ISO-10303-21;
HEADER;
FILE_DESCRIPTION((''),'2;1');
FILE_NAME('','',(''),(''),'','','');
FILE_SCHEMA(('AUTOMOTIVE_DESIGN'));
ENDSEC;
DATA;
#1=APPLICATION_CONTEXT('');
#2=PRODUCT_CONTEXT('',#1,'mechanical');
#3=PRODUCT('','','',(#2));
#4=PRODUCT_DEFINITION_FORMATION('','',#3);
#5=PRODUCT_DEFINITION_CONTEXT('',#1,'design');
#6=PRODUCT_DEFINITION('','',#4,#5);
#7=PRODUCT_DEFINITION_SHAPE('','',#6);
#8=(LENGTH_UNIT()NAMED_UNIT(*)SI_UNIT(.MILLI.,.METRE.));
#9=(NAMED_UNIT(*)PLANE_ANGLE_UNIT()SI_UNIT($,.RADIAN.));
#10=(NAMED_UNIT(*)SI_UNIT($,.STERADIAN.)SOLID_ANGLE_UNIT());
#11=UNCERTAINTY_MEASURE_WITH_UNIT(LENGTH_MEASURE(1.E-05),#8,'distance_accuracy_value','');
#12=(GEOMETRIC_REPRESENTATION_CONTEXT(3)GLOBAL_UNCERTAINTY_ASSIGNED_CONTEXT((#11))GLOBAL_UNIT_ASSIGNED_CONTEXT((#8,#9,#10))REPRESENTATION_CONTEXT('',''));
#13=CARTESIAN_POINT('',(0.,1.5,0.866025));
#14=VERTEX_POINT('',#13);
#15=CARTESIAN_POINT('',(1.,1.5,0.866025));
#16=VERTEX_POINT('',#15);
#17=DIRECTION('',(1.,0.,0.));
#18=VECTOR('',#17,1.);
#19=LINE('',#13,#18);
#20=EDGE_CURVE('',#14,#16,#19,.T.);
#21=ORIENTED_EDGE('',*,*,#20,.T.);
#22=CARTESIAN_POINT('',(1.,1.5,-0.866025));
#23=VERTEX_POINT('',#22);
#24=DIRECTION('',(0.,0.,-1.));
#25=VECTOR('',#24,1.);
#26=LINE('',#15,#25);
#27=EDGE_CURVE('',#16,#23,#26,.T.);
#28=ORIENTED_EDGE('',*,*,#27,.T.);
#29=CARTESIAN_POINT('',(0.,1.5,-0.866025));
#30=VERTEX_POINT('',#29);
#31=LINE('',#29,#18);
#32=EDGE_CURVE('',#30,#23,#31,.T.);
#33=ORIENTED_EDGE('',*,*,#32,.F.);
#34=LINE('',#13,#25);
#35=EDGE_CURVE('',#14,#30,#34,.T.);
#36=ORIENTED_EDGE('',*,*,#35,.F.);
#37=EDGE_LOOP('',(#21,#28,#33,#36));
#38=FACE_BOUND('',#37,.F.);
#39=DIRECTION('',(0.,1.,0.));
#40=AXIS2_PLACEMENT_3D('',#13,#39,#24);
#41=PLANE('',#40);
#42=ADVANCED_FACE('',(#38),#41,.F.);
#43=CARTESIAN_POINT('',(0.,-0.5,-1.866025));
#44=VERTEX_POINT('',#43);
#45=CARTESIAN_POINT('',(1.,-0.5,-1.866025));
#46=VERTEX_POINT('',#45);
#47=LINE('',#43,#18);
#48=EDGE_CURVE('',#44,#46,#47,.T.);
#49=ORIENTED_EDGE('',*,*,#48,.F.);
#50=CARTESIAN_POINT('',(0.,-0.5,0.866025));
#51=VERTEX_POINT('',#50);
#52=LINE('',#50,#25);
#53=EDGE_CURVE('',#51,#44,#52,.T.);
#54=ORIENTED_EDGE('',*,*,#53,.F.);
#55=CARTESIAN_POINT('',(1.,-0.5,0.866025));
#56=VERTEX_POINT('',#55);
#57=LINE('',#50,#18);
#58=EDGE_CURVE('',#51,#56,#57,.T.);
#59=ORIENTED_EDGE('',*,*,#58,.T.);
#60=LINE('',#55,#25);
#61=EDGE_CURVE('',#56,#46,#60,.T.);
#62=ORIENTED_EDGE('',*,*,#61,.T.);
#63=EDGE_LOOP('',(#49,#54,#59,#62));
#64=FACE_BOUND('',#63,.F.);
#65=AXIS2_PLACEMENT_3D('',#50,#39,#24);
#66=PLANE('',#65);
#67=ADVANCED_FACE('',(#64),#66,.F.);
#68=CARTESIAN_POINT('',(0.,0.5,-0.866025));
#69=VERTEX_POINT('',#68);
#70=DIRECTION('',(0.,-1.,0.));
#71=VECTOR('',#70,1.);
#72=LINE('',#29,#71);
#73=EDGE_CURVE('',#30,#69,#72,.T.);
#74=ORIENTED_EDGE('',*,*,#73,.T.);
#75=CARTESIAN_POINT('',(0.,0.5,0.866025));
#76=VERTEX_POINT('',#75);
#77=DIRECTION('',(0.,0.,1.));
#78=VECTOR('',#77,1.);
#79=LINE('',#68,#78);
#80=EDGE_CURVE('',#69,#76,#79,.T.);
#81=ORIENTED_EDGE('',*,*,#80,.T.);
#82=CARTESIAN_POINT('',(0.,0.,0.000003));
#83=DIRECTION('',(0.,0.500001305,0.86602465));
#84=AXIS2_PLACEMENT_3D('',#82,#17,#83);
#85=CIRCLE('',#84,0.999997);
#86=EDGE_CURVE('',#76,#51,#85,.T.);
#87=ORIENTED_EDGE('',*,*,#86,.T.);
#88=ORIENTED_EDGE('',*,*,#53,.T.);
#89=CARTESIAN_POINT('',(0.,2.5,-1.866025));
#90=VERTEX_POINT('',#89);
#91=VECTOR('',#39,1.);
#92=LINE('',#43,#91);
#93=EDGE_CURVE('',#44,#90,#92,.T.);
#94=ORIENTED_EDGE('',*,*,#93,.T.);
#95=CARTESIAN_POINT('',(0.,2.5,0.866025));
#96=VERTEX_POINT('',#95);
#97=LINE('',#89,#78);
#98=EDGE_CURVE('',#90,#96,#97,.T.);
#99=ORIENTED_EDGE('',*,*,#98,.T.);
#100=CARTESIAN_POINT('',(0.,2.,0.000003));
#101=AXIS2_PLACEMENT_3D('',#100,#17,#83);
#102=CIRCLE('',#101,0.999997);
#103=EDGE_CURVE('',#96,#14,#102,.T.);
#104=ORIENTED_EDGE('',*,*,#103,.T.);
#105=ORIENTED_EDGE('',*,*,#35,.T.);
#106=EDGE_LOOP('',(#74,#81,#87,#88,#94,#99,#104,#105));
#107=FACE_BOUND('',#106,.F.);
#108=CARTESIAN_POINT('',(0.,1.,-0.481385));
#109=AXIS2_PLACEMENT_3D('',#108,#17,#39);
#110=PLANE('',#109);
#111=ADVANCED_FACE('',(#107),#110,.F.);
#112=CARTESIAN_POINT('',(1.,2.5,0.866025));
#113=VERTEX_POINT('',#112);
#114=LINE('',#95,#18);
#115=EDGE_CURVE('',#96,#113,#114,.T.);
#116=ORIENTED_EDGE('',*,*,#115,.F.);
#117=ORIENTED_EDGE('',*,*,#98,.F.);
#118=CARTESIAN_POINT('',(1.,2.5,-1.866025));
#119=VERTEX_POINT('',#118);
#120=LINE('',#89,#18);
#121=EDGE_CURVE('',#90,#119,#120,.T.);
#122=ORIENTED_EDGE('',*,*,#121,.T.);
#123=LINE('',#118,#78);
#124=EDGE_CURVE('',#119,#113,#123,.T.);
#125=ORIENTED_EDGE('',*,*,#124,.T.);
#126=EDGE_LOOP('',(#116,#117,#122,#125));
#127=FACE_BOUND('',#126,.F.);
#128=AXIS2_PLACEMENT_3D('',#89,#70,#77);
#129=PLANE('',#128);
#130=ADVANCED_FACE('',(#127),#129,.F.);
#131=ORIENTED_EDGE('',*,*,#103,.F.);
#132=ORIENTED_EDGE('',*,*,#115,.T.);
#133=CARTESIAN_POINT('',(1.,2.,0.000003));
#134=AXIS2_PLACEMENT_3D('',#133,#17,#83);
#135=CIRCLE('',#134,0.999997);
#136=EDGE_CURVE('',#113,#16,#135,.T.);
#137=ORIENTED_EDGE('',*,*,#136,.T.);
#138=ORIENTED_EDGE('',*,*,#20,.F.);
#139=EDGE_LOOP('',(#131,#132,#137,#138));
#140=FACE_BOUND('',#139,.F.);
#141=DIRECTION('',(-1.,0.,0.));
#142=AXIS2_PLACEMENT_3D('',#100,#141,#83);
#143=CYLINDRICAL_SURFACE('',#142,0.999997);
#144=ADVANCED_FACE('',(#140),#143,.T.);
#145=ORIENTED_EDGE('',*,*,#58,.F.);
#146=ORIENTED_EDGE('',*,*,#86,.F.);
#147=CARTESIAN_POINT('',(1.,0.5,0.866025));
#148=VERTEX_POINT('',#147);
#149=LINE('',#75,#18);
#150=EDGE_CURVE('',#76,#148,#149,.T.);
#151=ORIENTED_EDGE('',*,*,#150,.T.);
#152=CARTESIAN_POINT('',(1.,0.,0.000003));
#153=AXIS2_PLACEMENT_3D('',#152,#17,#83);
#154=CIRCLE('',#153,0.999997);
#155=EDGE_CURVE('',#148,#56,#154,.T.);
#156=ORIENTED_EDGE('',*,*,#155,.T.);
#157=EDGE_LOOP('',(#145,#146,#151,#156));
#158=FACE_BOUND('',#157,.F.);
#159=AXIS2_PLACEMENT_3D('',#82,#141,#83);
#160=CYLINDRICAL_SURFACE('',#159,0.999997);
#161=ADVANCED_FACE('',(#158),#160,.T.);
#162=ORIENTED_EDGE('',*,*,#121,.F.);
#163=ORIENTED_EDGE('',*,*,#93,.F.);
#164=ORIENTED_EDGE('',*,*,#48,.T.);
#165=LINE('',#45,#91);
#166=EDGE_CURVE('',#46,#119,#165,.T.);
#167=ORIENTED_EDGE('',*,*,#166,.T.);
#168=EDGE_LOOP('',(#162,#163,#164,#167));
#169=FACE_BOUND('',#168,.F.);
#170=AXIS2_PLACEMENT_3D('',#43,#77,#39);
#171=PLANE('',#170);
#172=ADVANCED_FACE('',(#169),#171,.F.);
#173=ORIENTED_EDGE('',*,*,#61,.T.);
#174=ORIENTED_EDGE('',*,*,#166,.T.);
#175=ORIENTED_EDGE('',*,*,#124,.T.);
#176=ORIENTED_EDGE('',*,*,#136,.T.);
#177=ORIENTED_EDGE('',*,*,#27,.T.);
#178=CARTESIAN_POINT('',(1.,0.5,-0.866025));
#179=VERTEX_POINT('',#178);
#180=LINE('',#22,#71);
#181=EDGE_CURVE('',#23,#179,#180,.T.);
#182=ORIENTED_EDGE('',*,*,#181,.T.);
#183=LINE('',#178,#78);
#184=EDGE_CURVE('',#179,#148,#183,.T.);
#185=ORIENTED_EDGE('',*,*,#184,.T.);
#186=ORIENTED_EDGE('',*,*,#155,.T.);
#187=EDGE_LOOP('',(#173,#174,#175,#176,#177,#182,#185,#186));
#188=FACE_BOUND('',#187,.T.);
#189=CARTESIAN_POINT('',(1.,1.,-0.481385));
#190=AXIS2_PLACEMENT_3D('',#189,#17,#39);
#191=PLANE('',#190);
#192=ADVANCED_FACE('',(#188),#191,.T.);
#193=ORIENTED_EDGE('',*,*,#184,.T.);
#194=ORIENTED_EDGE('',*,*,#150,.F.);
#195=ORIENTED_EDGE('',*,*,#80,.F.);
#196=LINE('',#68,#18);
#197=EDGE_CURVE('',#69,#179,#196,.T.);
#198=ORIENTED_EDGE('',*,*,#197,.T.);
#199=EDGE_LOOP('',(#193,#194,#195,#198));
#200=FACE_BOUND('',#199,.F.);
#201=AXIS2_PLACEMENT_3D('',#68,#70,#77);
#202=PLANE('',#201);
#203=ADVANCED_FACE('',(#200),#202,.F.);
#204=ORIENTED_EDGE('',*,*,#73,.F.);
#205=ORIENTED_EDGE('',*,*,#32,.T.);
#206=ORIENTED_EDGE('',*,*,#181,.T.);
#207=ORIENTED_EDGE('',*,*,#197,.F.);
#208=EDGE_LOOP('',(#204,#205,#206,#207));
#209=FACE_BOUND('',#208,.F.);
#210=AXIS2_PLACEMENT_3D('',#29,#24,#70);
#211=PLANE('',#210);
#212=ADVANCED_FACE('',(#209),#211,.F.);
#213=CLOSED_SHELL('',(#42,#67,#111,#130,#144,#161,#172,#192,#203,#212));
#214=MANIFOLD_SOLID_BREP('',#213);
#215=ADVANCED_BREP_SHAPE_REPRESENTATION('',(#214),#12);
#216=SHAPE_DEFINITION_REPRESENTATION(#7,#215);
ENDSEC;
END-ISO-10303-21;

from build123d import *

# Parameters (mm, degrees)
F1_DEPTH = 1


with BuildPart() as f1:
    # F0 (on Right) → F1 (new body)
    with BuildSketch(Plane.YZ):
        with BuildLine():
            Line((0.5, -0.866025), (0.5, 0.866025))
            ThreePointArc((0.5, 0.866025), (0, 1), (-0.5, 0.866025))
            Line((-0.5, 0.866025), (-0.5, -0.866025))
            Line((-0.5, -0.866025), (-0.5, -1.866025))
            Line((-0.5, -1.866025), (2.5, -1.866025))
            Line((2.5, -1.866025), (2.5, -0.866025))
            Line((2.5, -0.866025), (2.5, 0.866025))
            ThreePointArc((2.5, 0.866025), (2, 1), (1.5, 0.866025))
            Line((1.5, 0.866025), (1.5, -0.866025))
            Line((1.5, -0.866025), (0.5, -0.866025))
        make_face()
    extrude(amount=F1_DEPTH)


solid = f1.part
